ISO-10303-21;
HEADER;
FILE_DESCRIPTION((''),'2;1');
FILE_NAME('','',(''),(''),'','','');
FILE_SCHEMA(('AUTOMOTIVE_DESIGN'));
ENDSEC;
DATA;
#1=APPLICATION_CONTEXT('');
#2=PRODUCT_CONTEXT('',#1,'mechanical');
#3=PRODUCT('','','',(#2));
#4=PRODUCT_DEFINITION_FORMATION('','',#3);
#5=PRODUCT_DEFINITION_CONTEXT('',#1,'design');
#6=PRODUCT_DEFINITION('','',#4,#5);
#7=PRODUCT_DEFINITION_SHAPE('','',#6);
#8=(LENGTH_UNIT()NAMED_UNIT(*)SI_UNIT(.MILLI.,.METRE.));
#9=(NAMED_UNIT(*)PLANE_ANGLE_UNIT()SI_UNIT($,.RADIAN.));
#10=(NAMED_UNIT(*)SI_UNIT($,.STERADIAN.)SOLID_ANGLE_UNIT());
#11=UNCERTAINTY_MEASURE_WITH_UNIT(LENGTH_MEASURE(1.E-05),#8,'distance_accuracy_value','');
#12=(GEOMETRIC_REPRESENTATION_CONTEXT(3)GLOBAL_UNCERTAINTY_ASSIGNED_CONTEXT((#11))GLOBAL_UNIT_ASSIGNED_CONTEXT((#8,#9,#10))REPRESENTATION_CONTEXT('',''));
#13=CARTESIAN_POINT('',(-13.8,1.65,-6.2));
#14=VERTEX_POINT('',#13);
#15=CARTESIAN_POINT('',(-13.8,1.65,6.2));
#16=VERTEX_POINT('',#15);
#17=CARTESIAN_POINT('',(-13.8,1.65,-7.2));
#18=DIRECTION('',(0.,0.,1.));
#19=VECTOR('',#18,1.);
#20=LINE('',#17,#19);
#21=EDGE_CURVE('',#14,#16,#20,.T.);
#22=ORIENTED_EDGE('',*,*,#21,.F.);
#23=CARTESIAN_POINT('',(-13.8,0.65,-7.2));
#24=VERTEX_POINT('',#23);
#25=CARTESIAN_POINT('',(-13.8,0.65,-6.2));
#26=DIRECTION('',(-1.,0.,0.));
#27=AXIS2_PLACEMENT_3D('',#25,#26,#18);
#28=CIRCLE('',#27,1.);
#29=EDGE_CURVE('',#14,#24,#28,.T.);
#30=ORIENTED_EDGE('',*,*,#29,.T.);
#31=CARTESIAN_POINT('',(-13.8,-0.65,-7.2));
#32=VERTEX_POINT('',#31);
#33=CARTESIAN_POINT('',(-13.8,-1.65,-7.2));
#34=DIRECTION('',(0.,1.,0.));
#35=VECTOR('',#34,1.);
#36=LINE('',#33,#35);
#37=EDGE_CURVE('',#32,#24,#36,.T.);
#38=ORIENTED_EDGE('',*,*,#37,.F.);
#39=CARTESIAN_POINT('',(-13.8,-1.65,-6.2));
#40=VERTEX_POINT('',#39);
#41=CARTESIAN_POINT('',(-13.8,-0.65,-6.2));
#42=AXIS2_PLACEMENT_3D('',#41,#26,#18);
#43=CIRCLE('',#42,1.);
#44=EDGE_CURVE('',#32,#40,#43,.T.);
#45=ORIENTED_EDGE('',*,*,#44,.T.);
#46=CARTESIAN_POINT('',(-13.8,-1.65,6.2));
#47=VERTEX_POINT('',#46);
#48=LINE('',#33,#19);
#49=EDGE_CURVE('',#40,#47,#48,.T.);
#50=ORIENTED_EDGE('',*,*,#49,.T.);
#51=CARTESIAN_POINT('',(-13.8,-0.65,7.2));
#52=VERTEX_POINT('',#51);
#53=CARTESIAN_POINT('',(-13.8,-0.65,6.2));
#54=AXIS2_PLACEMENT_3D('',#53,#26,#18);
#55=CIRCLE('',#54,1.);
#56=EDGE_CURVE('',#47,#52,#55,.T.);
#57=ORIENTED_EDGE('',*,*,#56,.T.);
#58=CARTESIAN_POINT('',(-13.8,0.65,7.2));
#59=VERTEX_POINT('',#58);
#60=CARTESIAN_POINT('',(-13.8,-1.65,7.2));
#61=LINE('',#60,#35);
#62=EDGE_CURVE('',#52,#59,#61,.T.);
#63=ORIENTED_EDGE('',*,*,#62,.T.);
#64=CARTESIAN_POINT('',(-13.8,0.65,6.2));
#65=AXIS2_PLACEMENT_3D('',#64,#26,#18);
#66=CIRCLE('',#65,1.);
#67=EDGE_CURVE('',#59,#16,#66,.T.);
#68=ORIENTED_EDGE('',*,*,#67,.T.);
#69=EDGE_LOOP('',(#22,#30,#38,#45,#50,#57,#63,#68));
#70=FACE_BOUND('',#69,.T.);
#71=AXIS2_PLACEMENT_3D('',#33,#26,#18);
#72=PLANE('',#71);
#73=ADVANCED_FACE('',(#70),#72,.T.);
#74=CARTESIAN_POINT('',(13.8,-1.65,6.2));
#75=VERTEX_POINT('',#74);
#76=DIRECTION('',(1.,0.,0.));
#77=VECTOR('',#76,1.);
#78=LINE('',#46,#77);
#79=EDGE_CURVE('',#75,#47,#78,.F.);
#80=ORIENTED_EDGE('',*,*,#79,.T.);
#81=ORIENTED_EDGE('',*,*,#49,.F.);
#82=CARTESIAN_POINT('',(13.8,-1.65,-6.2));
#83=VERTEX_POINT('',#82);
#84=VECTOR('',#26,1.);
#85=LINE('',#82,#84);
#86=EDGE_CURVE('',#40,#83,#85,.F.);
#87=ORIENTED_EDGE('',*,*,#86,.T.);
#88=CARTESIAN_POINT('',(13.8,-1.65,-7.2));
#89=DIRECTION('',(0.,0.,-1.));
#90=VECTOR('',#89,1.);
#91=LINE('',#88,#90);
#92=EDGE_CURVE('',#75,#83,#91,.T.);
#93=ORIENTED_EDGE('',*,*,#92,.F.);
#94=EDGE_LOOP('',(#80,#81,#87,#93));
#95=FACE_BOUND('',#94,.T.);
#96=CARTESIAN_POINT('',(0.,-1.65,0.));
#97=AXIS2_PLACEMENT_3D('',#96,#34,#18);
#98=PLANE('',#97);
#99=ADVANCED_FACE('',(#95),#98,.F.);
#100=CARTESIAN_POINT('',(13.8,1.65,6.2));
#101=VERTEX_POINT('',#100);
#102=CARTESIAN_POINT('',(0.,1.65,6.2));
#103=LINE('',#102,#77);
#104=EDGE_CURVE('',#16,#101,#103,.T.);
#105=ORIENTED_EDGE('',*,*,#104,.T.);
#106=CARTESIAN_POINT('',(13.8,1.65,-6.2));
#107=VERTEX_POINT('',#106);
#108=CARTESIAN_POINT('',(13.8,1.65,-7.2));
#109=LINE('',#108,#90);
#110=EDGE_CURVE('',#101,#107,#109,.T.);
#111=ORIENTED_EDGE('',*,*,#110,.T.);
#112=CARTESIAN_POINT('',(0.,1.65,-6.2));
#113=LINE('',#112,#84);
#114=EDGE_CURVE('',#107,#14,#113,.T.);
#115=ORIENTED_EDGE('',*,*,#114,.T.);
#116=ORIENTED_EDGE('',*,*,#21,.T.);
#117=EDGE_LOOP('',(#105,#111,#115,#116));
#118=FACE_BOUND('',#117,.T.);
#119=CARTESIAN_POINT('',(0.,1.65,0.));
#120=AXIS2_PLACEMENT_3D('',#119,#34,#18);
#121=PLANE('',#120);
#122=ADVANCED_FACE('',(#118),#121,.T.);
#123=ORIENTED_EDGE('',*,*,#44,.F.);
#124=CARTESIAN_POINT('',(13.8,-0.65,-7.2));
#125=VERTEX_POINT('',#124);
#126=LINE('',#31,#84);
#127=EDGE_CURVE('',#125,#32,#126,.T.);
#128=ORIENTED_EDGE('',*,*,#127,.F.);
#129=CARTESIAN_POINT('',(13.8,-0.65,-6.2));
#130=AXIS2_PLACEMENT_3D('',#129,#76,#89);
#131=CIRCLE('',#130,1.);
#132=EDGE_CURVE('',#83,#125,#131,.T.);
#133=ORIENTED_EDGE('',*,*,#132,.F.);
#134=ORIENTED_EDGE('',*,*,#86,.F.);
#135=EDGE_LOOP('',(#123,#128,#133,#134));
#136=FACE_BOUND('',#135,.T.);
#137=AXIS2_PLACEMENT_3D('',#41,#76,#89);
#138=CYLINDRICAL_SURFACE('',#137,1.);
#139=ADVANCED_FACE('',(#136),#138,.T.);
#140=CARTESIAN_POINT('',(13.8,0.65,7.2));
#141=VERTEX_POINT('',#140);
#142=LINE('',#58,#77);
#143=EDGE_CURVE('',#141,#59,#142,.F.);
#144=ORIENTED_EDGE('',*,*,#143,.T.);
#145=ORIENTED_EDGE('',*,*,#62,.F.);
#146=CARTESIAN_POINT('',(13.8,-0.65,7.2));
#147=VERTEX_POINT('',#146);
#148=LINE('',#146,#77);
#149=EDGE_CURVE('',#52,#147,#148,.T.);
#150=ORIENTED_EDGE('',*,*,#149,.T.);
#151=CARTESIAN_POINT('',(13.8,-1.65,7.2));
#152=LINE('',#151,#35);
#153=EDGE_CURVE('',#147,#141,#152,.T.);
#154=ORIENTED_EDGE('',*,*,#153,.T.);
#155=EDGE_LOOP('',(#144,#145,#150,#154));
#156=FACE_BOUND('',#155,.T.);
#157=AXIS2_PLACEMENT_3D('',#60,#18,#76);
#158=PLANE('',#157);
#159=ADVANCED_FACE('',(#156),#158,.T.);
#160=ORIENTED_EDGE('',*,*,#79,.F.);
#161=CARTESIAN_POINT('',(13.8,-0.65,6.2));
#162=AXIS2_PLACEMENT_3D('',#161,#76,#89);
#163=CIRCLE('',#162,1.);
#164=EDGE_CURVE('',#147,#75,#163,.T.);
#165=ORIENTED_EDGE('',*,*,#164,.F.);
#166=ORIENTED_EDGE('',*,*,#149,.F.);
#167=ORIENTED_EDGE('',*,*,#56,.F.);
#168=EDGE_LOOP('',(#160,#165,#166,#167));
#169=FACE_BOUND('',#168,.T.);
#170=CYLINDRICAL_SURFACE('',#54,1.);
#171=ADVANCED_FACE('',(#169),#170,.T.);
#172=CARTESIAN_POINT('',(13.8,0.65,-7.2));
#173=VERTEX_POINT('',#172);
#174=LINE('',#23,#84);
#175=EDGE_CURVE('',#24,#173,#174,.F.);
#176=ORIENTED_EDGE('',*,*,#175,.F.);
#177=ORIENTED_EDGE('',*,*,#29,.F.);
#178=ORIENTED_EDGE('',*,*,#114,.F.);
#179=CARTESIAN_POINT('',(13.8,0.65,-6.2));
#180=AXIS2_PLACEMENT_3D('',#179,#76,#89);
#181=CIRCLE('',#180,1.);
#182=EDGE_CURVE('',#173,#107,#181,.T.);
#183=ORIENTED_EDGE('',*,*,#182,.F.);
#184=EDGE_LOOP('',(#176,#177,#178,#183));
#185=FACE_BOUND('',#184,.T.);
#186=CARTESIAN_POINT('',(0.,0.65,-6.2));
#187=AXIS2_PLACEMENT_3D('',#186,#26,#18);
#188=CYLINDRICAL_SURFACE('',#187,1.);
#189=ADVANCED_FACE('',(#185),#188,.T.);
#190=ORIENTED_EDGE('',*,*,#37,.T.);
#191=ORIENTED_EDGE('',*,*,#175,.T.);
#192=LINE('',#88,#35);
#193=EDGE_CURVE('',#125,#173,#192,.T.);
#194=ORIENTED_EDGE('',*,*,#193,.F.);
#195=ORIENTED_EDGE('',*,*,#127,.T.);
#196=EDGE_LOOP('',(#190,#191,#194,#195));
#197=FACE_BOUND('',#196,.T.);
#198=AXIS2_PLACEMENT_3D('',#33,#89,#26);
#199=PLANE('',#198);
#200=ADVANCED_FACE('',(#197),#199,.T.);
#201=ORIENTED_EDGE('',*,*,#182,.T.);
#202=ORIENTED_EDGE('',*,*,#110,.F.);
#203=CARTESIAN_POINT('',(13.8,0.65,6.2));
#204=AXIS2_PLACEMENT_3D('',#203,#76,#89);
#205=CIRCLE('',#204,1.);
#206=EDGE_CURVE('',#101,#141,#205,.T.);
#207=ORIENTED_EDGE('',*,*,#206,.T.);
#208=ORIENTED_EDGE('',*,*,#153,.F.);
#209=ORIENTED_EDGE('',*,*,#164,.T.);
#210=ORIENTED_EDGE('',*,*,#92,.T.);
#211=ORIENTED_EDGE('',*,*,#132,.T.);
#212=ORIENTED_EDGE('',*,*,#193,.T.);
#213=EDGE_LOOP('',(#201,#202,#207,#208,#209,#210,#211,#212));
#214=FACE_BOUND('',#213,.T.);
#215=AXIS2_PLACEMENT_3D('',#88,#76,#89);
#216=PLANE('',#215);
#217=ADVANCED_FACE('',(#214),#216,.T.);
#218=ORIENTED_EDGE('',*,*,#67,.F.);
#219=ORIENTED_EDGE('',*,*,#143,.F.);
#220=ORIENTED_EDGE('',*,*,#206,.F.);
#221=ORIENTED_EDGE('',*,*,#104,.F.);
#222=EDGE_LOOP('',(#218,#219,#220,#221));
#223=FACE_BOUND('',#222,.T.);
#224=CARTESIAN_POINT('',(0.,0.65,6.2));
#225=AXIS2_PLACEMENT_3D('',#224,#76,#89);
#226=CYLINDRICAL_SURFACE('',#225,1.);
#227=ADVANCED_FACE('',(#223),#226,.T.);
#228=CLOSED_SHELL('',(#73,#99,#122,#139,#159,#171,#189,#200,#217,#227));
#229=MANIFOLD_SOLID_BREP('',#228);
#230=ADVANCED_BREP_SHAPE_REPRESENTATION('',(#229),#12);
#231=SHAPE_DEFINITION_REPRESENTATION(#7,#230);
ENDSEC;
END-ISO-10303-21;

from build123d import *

# Parameters (mm, degrees)
BOSS_EXTRUDE1_DEPTH      = 1.65
BOSS_EXTRUDE1_DEPTH_BACK = 1.65
SKETCH1_W                = 27.6
SKETCH1_H                = 14.4
FILLET1_R                = 1


with BuildPart() as part:
    # Sketch1 → Boss-Extrude1 (new, two sides: drawn at the far end of the back side and taken through both)
    with BuildSketch(Plane(origin=(0, 0, 0), x_dir=(1, 0, 0), z_dir=(0, 1, 0)).offset(-BOSS_EXTRUDE1_DEPTH_BACK)):
        Rectangle(SKETCH1_W, SKETCH1_H)
    extrude(amount=BOSS_EXTRUDE1_DEPTH + BOSS_EXTRUDE1_DEPTH_BACK)

    # Fillet1
    fillet1_edges = [part.edges().sort_by_distance(p)[0] for p in [
        (0, -1.65, -7.2),
        (0, 1.65, -7.2),
        (0, -1.65, 7.2),
        (0, 1.65, 7.2),
    ]]
    fillet(fillet1_edges, radius=FILLET1_R)


solid = part.part
